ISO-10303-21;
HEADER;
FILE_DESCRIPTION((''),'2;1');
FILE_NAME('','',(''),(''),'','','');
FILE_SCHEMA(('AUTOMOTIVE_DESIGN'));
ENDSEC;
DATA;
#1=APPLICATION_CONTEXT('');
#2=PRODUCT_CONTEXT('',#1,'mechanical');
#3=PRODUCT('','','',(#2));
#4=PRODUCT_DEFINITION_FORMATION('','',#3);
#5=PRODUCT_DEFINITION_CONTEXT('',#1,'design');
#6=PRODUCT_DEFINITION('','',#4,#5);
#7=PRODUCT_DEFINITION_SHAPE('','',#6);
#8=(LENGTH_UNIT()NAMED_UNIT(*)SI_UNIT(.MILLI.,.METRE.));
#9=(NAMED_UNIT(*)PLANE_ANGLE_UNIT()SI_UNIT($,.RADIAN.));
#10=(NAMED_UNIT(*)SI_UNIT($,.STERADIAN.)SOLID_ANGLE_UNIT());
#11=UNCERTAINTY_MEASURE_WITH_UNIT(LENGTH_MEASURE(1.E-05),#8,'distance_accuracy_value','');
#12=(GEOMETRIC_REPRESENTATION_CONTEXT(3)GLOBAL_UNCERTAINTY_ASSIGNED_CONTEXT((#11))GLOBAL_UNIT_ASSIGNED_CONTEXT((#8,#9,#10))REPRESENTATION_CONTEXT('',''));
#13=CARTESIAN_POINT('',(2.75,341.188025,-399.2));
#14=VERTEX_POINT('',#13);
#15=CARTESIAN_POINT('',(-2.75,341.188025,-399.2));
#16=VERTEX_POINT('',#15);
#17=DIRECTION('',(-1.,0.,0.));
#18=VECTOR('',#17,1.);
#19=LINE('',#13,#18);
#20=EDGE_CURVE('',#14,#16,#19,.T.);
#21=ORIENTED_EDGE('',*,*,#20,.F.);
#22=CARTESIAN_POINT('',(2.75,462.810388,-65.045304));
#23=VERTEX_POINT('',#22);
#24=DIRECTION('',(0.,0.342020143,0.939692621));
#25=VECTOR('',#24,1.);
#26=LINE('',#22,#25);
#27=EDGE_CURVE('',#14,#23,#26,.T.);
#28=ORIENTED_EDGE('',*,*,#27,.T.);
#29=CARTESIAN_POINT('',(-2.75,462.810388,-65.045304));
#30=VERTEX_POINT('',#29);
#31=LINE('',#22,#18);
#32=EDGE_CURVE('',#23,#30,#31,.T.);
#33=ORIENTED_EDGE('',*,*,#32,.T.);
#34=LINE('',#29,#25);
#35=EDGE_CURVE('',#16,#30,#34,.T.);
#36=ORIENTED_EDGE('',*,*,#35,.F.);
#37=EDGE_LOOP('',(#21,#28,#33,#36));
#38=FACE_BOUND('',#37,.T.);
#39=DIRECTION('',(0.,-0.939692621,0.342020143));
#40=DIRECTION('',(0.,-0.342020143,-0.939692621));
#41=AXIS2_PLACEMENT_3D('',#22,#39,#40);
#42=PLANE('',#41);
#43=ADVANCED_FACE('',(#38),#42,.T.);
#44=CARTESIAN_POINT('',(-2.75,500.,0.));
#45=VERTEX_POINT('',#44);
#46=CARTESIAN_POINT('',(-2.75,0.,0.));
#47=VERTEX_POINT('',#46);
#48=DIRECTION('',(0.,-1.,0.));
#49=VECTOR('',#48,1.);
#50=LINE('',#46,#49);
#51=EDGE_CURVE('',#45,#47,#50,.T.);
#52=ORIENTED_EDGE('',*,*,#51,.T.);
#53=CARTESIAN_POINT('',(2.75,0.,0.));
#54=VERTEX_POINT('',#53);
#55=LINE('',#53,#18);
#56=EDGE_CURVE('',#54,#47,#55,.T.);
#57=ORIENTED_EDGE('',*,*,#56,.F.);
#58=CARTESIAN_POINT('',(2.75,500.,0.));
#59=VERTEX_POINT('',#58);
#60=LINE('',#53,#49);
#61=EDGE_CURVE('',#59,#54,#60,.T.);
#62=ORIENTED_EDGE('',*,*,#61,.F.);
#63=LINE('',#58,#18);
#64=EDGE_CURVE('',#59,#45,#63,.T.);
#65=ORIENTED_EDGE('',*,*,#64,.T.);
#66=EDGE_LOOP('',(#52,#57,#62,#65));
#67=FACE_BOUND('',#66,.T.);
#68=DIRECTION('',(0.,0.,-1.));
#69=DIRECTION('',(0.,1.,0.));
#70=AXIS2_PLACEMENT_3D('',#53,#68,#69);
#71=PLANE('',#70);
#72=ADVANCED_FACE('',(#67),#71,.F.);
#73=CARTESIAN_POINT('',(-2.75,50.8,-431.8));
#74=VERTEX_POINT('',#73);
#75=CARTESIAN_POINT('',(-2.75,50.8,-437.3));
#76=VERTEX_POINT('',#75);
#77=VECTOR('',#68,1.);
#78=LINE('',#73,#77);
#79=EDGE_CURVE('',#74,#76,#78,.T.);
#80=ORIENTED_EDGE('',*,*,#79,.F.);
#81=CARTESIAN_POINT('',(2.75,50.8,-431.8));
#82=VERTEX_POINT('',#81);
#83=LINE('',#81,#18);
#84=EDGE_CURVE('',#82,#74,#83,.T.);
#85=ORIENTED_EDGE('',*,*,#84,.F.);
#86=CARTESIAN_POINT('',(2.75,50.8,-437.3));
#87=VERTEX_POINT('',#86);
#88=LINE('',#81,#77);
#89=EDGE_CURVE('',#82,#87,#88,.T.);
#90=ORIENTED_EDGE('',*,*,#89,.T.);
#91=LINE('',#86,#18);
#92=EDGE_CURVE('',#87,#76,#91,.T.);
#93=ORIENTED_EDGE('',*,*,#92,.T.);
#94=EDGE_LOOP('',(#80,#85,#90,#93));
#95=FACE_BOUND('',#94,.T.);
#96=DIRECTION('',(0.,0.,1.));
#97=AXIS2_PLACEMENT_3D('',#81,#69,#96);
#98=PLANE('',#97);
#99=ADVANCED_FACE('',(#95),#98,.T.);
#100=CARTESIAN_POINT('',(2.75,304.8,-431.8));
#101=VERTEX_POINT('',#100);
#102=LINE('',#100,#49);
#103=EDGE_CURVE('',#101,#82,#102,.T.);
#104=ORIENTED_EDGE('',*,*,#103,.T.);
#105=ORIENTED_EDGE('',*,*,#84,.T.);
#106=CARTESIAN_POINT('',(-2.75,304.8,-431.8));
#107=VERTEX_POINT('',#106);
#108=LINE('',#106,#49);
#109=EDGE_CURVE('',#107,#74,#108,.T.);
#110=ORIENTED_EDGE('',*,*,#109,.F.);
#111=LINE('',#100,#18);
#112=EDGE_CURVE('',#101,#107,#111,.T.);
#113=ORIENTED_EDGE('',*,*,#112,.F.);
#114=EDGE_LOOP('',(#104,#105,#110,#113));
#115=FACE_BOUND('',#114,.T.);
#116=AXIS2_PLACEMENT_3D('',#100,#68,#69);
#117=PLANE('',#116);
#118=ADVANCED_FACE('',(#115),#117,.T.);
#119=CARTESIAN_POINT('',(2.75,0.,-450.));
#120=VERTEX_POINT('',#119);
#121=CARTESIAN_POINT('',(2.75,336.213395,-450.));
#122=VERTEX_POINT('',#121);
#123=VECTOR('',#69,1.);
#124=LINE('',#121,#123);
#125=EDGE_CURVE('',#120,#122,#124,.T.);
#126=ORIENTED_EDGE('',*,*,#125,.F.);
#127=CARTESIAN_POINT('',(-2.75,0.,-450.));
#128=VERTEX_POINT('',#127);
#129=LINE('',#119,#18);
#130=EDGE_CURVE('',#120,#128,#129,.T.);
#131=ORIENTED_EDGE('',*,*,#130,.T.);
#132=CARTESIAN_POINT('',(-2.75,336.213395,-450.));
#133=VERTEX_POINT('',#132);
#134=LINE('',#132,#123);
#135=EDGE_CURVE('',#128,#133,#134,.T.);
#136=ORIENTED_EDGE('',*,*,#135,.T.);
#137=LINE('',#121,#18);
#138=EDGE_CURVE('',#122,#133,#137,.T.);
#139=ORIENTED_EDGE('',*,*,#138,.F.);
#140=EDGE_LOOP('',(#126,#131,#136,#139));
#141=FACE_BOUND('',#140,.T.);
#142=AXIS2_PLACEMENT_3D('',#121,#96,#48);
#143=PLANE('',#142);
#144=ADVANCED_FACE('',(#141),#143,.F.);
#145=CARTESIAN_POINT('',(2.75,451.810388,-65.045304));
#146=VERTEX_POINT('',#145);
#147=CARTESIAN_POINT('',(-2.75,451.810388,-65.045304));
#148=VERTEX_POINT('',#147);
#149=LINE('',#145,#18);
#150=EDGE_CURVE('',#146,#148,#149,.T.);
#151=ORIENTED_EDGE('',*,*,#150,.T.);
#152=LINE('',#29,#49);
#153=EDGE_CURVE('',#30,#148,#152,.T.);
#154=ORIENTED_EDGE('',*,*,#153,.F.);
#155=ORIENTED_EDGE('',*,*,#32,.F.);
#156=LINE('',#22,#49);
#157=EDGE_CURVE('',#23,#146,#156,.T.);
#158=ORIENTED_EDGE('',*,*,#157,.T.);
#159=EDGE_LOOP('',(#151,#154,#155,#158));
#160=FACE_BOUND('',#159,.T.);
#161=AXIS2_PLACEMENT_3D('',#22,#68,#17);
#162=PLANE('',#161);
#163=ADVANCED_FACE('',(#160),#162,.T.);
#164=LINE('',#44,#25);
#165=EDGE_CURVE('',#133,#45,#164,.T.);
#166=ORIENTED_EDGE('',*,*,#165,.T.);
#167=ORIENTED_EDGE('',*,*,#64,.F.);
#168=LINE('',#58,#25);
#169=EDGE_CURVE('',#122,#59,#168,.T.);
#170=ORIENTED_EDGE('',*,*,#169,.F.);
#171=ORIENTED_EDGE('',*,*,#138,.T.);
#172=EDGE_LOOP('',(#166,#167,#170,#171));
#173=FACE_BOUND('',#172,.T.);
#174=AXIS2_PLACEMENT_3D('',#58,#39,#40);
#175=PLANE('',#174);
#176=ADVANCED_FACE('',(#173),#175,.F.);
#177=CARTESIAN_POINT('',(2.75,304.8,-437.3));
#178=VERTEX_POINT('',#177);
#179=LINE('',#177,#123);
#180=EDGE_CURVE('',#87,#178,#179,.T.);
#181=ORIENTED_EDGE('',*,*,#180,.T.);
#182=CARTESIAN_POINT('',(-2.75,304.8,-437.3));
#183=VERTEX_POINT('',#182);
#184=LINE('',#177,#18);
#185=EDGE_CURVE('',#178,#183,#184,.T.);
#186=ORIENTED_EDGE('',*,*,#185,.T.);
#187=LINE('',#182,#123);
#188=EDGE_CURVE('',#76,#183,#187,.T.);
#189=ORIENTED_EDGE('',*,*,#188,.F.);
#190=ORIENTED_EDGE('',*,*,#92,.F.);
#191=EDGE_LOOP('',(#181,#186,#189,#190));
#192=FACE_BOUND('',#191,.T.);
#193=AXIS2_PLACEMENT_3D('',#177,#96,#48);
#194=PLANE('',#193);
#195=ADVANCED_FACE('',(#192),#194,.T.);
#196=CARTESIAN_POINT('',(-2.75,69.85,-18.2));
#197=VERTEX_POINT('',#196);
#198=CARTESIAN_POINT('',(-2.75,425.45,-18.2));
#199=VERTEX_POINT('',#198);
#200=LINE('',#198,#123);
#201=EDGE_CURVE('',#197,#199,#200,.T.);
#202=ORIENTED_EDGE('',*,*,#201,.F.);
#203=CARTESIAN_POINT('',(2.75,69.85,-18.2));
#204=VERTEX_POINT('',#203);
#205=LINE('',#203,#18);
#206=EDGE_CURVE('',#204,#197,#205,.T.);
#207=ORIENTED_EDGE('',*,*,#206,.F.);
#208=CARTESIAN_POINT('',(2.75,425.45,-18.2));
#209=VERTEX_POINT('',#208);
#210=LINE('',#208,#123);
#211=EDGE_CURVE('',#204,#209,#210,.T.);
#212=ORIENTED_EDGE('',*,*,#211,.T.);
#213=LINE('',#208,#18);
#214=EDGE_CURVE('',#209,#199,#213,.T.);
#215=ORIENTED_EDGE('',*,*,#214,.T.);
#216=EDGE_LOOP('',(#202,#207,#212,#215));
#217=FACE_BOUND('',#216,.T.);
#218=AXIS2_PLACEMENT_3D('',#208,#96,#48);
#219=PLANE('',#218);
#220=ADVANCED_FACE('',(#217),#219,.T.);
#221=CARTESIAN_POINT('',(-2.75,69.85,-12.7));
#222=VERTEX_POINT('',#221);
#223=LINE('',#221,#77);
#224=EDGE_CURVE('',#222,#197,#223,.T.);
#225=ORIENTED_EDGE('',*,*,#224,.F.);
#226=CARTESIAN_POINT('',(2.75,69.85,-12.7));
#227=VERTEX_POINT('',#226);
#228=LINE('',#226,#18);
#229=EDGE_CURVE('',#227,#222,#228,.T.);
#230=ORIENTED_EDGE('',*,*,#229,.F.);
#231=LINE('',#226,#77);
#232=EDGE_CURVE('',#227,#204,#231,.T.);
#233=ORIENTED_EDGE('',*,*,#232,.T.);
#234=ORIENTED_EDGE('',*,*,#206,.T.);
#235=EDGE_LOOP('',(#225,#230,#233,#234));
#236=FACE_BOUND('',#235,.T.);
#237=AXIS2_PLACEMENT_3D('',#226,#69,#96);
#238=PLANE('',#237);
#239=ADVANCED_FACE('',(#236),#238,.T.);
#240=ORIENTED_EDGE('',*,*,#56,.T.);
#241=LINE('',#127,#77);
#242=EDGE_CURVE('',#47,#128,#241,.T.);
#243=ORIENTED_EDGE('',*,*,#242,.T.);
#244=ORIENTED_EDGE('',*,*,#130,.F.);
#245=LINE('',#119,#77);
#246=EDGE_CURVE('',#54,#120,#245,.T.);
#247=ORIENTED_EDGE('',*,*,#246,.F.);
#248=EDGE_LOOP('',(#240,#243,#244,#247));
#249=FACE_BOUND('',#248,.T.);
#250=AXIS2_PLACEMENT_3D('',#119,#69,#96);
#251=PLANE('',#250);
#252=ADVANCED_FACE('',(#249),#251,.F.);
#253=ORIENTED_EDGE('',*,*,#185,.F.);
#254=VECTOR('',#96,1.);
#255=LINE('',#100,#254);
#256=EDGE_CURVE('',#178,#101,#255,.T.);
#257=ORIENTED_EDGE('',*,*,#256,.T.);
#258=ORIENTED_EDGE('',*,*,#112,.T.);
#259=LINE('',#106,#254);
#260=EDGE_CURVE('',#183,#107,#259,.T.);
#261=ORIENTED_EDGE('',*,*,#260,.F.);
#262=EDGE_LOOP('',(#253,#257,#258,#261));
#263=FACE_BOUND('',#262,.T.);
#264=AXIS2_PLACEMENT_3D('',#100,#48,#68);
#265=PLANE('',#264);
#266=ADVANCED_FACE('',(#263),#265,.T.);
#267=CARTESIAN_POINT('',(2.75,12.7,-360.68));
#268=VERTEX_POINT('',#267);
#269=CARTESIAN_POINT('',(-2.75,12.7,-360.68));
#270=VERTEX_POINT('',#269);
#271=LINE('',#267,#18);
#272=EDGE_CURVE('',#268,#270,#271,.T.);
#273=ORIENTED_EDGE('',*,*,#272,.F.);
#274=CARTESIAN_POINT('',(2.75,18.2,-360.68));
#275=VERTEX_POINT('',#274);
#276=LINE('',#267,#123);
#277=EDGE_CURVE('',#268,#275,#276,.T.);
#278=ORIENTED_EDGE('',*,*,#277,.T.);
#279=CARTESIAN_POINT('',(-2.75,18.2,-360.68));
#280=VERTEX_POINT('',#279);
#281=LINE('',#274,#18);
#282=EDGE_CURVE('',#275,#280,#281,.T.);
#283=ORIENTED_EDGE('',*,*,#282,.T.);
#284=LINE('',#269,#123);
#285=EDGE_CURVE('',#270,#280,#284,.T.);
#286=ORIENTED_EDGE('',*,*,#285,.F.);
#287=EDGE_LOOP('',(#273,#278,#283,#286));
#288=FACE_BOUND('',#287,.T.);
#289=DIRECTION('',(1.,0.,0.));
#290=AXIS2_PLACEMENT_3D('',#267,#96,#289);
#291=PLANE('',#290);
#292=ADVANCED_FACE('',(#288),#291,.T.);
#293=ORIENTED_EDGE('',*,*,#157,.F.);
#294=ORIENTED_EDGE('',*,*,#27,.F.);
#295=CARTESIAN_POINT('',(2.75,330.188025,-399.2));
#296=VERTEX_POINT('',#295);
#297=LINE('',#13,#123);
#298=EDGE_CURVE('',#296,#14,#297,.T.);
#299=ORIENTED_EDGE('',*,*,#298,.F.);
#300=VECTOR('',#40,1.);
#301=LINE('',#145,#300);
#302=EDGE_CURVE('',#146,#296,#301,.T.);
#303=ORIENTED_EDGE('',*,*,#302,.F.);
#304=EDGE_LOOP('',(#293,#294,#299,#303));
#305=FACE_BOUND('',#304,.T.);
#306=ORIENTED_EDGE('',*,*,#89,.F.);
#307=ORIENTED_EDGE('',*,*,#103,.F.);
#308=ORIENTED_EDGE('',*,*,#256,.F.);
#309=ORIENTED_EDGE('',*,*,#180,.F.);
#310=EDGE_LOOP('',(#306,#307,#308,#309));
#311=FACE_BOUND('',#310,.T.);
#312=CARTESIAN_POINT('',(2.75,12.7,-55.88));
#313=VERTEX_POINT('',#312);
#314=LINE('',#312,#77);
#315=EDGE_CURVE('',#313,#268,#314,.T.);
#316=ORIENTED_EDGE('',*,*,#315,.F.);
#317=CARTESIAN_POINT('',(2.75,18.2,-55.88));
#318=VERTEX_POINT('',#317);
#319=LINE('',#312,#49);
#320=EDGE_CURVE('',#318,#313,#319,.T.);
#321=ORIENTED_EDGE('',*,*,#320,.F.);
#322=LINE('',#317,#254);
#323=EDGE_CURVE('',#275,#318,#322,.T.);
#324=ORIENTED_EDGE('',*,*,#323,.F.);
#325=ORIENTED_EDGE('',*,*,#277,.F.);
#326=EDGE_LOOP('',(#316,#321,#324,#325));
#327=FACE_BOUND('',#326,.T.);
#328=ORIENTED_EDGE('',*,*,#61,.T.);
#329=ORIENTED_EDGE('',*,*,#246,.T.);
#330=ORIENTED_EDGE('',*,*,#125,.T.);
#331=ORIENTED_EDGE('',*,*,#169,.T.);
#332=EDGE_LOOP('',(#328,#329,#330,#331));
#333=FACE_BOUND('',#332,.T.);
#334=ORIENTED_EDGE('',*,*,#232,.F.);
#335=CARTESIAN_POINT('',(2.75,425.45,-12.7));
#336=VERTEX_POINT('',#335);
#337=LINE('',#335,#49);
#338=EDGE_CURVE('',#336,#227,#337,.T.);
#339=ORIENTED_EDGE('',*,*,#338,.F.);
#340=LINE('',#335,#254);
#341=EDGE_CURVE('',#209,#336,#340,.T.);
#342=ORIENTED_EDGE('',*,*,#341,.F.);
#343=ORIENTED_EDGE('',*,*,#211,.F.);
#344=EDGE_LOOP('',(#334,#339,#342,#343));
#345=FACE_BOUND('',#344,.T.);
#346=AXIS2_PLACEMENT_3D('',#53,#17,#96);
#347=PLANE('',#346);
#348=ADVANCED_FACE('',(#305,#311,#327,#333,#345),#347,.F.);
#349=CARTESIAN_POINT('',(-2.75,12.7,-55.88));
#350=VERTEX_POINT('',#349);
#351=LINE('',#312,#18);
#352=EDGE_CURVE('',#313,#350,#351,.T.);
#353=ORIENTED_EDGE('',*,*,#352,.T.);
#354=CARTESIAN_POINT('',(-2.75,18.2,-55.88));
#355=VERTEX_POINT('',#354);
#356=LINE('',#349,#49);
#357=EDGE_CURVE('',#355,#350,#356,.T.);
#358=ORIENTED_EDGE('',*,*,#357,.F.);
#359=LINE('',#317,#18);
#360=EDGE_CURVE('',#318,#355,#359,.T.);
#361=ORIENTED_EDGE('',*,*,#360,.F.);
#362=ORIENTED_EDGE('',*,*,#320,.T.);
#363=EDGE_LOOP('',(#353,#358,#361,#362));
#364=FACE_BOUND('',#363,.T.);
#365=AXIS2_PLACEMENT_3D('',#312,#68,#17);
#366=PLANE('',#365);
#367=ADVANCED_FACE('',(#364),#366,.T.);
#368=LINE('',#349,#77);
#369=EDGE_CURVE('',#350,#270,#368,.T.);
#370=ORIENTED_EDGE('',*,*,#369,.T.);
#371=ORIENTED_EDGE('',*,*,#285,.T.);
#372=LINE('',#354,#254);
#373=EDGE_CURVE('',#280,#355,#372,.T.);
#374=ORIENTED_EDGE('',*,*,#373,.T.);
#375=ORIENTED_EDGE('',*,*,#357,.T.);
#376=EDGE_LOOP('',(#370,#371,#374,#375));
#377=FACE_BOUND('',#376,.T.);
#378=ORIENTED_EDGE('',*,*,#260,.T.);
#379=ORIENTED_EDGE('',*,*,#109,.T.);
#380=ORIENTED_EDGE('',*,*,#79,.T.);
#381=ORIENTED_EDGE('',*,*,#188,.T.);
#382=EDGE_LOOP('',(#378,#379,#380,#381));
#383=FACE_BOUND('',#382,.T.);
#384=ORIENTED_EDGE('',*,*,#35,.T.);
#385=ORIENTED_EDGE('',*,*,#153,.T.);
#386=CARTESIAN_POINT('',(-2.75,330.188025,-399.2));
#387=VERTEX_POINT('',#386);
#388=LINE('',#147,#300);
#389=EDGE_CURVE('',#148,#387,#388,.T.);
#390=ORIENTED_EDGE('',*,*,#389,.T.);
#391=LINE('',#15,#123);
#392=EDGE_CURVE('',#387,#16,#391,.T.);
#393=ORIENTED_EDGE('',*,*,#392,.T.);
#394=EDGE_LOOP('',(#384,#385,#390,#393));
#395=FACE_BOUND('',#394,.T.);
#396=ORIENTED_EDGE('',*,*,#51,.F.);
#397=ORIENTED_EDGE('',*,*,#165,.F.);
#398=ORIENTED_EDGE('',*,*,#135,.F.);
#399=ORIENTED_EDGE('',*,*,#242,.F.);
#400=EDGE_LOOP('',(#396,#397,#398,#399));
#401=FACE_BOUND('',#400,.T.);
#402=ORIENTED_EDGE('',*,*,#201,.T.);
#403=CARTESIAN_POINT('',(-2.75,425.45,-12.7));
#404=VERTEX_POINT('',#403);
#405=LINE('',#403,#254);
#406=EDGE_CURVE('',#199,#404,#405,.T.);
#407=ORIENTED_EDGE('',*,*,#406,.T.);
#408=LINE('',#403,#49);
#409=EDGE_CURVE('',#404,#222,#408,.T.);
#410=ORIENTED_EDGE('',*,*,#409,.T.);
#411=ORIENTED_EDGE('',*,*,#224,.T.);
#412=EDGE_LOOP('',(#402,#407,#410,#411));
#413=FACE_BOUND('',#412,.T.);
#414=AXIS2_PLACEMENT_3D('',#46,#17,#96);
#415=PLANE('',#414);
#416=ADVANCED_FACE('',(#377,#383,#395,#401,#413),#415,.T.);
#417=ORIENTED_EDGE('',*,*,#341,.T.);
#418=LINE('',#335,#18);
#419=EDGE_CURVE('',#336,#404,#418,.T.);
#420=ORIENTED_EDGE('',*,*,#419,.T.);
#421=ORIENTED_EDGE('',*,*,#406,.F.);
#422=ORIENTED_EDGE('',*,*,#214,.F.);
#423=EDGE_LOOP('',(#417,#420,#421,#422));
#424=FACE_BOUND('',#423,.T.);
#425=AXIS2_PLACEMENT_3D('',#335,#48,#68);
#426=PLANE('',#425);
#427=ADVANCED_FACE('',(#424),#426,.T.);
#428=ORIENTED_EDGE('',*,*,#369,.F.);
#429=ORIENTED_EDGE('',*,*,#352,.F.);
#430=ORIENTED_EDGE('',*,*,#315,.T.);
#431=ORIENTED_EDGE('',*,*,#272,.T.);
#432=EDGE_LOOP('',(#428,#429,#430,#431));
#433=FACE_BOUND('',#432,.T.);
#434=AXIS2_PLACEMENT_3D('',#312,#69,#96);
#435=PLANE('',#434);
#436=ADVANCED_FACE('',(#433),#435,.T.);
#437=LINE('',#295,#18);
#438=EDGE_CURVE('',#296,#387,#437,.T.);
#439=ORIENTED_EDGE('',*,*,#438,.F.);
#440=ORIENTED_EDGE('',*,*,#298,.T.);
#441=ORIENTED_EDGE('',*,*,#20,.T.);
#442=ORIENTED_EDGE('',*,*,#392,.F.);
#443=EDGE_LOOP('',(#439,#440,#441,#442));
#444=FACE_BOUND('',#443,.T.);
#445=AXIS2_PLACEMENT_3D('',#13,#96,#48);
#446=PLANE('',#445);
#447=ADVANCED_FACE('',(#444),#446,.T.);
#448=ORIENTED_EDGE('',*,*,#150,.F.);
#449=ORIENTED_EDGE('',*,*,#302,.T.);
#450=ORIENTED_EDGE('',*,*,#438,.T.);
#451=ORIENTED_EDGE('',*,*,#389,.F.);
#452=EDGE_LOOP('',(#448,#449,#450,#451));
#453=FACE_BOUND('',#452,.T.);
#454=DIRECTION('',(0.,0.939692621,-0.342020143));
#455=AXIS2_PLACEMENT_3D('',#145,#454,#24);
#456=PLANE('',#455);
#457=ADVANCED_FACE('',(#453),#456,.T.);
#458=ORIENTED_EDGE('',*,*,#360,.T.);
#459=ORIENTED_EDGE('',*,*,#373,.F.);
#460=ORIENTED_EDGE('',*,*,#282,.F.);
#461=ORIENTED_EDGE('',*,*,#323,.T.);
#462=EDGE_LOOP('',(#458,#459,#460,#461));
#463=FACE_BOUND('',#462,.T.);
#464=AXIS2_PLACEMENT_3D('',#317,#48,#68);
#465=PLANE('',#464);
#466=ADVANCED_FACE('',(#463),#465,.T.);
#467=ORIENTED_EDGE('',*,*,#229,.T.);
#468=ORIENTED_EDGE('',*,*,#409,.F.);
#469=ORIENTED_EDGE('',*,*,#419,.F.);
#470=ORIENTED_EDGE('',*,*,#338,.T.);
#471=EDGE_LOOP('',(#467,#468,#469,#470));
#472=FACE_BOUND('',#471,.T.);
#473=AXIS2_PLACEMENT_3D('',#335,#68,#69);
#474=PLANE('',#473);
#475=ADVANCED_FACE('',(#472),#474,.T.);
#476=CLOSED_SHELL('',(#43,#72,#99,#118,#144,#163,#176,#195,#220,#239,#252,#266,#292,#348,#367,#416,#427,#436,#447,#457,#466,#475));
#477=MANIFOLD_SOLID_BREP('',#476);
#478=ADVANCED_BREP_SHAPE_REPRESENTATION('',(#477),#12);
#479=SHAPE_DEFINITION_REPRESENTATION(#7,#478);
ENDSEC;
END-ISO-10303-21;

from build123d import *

# Parameters (mm, degrees)
CROQUIS1_W              = 304.8
CROQUIS1_H              = 5.5
CROQUIS1_W_2            = 5.5
CROQUIS1_H_2            = 355.6
CROQUIS1_H_3            = 254
SALIENTE_EXTRUIR1_DEPTH = 2.75


with BuildPart() as part:
    # Croquis1 → Saliente-Extruir1 (new, symmetric)
    with BuildSketch(Plane(origin=(0, 0, 0), x_dir=(0, 0, -1), z_dir=(1, 0, 0))):
        Polygon((450, 0), (0, 0), (0, 500), (450, 336.21339458), align=None)
        Polygon((65.045304049, 462.810387737), (399.2, 341.18802477), (399.2, 330.18802477), (65.045304049, 451.810387737), align=None, mode=Mode.SUBTRACT)
        with Locations((208.28, 15.45)):
            Rectangle(CROQUIS1_W, CROQUIS1_H, mode=Mode.SUBTRACT)
        with Locations((15.45, 247.65)):
            Rectangle(CROQUIS1_W_2, CROQUIS1_H_2, mode=Mode.SUBTRACT)
        with Locations((434.55, 177.8)):
            Rectangle(CROQUIS1_W_2, CROQUIS1_H_3, mode=Mode.SUBTRACT)
    extrude(amount=SALIENTE_EXTRUIR1_DEPTH, both=True)


solid = part.part
